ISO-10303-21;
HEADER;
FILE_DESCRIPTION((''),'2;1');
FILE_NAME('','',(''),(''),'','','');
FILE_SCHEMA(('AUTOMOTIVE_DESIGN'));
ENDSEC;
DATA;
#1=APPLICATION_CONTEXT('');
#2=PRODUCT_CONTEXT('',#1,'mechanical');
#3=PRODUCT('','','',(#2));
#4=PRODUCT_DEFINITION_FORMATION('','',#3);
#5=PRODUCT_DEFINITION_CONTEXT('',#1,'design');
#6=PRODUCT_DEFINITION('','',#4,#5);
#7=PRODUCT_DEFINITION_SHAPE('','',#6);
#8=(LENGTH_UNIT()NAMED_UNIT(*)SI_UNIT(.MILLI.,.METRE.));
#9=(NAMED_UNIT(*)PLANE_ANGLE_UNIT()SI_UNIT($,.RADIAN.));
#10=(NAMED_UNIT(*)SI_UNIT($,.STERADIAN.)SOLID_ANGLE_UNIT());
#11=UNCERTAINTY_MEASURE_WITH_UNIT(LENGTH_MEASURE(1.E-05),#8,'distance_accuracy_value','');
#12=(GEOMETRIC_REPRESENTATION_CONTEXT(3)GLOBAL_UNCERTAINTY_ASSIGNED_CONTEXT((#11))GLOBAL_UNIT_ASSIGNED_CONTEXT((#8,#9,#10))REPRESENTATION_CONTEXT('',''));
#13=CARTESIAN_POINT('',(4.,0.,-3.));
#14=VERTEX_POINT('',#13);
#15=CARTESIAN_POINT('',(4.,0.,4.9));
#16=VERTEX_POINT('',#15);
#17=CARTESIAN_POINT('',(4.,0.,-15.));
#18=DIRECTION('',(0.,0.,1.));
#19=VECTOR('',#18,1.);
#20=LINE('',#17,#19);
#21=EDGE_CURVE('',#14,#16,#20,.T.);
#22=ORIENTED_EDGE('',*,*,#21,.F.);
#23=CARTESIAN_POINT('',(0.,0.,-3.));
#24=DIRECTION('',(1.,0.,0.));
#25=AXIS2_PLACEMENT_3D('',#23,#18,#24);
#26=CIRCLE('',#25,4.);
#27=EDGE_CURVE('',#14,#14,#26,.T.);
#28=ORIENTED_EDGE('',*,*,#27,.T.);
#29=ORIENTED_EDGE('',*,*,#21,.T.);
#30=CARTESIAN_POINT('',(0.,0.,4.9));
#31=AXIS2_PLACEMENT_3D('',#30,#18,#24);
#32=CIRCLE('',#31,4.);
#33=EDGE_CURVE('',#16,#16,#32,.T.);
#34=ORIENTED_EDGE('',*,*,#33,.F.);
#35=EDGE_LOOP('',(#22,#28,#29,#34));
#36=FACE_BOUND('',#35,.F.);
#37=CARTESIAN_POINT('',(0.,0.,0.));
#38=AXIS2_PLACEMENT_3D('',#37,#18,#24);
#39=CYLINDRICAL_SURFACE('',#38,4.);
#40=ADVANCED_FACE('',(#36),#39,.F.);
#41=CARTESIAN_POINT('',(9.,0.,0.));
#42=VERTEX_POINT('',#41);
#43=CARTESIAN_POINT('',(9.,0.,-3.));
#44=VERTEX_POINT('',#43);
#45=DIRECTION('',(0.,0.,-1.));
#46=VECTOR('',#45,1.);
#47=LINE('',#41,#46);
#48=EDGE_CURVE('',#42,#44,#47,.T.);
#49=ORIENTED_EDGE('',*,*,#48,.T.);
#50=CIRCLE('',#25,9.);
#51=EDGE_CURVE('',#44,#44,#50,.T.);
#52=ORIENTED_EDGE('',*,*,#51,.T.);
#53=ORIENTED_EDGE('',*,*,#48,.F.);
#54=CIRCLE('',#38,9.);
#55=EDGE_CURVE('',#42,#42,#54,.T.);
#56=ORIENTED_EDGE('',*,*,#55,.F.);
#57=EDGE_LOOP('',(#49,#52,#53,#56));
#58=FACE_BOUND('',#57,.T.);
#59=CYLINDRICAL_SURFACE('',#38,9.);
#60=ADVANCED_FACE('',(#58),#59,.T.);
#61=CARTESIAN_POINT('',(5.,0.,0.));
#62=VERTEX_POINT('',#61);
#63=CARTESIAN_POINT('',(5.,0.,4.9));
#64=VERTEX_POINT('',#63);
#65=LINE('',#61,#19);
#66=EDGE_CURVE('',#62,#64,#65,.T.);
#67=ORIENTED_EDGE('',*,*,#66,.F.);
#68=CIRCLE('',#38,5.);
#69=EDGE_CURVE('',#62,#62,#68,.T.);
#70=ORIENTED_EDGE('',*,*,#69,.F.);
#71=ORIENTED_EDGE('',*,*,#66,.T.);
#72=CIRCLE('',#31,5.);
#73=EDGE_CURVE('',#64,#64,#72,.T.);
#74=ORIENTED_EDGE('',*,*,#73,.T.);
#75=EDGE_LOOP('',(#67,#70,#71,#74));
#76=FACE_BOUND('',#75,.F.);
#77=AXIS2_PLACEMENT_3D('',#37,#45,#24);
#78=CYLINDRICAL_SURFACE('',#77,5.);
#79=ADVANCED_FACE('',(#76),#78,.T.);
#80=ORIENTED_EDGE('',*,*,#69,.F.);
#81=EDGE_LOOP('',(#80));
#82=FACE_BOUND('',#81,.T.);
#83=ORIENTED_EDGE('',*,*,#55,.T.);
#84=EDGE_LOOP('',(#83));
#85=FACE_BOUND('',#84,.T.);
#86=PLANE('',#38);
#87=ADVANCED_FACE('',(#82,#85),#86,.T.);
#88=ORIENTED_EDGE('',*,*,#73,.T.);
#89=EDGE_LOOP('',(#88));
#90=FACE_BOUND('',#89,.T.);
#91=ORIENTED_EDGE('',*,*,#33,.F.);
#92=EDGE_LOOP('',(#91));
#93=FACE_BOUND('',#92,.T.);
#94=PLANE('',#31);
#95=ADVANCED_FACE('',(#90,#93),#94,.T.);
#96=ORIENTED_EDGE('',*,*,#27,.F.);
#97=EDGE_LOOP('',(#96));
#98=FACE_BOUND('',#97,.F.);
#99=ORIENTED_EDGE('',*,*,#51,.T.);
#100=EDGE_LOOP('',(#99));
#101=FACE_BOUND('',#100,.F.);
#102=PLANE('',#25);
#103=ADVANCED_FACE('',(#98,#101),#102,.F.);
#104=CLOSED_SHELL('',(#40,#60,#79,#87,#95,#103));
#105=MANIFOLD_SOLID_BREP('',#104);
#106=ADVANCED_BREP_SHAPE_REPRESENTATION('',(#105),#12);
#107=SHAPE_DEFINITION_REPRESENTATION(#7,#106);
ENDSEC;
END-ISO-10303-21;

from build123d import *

# Parameters (mm, degrees)
F0_R     = 9
F1_DEPTH = 3
F2_R     = 5
F3_DEPTH = 4.9
F4_R     = 4
F5_DEPTH = 15


with BuildPart() as f1:
    # F0 (on Top) → F1 (new body)
    with BuildSketch(Plane.XY):
        Circle(F0_R)
    extrude(amount=-F1_DEPTH)

    # F2 (on Top) → F3 (join)
    with BuildSketch(Plane.XY):
        Circle(F2_R)
    extrude(amount=F3_DEPTH)

    # F4 (on Top) → F5 (cut, symmetric)
    with BuildSketch(Plane.XY):
        Circle(F4_R)
    extrude(amount=F5_DEPTH, both=True, mode=Mode.SUBTRACT)


solid = f1.part
